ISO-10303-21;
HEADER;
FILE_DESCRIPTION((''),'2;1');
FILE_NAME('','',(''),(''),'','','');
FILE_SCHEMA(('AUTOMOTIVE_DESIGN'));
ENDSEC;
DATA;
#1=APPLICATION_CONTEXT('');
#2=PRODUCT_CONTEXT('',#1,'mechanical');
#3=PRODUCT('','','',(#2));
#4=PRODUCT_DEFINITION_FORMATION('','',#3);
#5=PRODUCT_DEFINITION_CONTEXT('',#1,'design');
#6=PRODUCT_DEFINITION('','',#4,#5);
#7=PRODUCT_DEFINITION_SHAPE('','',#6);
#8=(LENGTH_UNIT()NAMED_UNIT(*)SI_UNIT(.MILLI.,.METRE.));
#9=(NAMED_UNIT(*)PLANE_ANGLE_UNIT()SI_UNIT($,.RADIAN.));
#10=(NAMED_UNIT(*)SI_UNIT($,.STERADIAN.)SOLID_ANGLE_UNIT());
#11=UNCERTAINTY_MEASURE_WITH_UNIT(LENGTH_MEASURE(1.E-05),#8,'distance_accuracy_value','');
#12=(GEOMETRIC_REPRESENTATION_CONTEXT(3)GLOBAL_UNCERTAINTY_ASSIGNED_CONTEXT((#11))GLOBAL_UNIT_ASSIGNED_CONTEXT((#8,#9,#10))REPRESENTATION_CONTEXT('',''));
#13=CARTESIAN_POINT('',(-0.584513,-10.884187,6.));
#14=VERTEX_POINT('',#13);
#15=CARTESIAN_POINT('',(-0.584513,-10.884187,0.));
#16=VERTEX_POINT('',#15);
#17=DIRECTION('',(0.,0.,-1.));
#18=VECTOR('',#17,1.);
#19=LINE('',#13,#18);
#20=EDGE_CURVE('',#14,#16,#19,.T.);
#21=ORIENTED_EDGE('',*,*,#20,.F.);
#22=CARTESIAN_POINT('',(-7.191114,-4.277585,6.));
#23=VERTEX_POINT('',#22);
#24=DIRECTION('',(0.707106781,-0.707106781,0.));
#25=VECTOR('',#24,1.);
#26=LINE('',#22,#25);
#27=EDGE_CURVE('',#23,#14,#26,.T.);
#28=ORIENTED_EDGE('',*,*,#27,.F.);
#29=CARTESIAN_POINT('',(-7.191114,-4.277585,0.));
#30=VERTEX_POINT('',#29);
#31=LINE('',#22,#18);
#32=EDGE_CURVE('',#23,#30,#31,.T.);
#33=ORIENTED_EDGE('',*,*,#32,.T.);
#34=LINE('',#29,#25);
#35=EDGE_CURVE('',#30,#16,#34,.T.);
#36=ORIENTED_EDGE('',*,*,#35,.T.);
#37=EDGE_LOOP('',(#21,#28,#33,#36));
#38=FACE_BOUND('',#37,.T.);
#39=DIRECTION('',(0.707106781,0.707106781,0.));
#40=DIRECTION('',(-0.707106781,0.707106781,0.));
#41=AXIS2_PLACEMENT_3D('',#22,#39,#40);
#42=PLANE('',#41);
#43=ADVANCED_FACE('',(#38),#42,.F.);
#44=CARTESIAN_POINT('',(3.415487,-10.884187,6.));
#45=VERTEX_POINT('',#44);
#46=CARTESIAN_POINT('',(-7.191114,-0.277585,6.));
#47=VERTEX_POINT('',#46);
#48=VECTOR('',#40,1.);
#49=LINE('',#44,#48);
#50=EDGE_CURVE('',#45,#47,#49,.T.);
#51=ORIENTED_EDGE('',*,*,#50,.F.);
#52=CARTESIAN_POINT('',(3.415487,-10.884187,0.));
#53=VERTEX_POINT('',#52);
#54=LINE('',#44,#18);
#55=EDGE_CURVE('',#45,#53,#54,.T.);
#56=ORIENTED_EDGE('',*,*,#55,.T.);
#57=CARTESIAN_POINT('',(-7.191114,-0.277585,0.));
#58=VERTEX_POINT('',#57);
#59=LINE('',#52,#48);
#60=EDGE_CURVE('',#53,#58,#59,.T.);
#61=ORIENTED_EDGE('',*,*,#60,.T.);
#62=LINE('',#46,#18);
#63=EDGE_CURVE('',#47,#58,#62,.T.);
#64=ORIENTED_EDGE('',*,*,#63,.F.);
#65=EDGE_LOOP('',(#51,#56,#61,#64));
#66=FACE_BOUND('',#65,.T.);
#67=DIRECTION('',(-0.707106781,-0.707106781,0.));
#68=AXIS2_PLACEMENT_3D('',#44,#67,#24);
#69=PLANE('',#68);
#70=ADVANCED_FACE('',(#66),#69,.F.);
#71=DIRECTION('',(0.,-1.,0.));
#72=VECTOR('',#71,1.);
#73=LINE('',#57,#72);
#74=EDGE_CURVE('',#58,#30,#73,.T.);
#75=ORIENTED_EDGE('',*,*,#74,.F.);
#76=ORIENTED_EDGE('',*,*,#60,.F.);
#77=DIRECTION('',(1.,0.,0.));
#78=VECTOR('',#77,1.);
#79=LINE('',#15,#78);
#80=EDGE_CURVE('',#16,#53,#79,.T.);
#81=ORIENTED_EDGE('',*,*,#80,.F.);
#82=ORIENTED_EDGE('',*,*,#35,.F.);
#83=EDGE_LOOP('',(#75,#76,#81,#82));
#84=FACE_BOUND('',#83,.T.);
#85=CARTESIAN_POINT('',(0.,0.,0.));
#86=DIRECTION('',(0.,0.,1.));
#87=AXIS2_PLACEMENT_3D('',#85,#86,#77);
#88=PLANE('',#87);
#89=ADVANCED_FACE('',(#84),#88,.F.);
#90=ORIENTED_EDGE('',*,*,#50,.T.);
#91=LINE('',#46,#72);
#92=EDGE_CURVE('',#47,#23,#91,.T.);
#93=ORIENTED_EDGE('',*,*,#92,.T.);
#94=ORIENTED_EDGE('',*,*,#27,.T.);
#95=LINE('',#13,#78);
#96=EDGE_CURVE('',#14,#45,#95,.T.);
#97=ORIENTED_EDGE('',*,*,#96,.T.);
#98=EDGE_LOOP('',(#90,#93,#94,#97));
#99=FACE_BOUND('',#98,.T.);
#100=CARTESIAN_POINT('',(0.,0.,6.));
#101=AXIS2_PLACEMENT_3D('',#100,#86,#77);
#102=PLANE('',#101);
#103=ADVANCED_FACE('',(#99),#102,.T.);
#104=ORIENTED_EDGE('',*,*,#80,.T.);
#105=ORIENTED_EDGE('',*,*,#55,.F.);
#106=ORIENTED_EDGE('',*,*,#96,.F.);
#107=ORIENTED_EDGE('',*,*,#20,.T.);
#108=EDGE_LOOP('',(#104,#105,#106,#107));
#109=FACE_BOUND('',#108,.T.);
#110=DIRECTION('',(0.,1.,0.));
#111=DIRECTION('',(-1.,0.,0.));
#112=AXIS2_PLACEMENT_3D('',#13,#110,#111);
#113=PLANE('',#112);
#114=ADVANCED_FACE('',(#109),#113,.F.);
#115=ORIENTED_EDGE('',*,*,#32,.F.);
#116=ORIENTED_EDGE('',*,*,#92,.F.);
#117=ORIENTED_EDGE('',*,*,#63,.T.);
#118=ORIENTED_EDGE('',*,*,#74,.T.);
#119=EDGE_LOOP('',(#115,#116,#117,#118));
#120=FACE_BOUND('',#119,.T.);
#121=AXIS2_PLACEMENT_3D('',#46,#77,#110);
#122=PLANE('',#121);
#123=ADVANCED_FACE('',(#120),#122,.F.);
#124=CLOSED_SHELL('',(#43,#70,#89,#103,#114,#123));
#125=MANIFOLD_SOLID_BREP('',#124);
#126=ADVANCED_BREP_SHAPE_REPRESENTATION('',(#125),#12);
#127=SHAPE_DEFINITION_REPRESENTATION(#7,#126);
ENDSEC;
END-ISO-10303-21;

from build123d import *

# Parameters (mm, degrees)
BOSS_EXTRUDE1_DEPTH = 6


with BuildPart() as part:
    # Sketch1 → Boss-Extrude1 (new body)
    with BuildSketch(Plane.XY):
        Polygon((-7.191114458, -0.277585029), (-7.191114458, -4.277585029), (-0.58451274, -10.884186747), (3.41548726, -10.884186747), align=None)
    extrude(amount=BOSS_EXTRUDE1_DEPTH)


solid = part.part
